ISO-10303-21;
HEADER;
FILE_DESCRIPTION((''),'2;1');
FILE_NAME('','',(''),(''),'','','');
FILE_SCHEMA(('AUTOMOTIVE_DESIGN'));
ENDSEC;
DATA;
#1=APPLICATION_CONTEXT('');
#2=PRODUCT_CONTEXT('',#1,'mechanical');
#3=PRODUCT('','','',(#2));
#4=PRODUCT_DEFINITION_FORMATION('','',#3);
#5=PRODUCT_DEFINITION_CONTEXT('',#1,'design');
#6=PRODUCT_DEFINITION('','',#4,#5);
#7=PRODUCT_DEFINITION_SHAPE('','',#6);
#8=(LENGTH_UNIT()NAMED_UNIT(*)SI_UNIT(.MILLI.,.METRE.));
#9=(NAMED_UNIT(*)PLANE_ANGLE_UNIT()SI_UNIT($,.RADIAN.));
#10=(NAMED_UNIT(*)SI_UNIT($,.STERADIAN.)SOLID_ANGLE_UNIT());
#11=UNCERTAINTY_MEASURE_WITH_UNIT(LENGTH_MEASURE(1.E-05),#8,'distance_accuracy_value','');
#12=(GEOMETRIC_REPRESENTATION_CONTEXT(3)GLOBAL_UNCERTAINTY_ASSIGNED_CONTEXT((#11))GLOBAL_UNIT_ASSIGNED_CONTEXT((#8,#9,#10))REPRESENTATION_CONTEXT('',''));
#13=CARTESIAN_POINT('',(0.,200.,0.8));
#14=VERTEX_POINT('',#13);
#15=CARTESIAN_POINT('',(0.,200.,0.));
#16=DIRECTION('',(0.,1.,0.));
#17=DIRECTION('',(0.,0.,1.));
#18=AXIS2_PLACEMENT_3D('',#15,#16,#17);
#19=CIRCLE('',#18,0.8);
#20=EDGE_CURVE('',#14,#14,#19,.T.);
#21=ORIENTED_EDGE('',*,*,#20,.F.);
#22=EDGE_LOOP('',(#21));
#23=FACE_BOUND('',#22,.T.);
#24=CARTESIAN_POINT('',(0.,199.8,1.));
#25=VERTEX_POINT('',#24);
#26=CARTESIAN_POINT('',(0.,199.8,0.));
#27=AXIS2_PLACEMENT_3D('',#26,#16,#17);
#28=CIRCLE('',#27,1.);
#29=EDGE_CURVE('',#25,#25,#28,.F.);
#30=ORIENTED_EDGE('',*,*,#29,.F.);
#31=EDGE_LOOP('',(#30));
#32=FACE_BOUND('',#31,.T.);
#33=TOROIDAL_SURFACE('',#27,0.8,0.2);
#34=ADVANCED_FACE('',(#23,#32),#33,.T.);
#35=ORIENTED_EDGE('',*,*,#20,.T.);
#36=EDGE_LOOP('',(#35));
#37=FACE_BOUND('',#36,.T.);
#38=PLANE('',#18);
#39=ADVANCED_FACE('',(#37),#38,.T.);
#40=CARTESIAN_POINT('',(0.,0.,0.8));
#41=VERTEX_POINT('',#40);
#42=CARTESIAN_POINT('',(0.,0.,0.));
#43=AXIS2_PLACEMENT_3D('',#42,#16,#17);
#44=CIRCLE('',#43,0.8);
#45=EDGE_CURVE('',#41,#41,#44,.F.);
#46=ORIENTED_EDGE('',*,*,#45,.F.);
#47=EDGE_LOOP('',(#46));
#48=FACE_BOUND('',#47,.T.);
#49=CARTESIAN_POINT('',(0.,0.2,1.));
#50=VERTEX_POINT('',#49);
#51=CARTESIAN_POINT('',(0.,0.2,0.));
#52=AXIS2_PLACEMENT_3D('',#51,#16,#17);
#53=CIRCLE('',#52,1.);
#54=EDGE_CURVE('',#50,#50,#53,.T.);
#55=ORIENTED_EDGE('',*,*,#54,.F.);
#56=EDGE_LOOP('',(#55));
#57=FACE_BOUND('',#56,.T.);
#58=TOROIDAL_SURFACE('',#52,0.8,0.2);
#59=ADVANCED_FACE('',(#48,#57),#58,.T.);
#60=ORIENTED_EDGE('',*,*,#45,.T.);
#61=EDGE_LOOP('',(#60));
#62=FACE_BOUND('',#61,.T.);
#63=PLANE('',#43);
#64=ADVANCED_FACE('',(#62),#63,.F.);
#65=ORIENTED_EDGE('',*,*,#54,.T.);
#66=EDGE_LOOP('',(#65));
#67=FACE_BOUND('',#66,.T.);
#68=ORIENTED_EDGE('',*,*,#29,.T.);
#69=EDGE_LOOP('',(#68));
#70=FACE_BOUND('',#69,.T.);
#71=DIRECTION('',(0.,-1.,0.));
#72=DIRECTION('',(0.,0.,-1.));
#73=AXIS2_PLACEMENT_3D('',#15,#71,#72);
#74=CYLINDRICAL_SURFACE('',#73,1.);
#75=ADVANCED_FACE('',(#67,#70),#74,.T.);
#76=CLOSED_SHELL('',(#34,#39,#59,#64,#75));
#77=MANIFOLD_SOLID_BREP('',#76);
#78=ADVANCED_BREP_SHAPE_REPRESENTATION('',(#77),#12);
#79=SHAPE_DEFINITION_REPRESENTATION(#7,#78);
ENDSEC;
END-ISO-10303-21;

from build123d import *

# Parameters (mm, degrees)
SKETCH1_R           = 1
BOSS_EXTRUDE1_DEPTH = 200
FILLET1_R           = 0.2


with BuildPart() as part:
    # Sketch1 → Boss-Extrude1 (new body)
    with BuildSketch(Plane(origin=(0, 0, 0), x_dir=(1, 0, 0), z_dir=(0, 1, 0))):
        Circle(SKETCH1_R)
    extrude(amount=BOSS_EXTRUDE1_DEPTH)

    # Fillet1
    fillet1_edges = [part.edges().sort_by_distance(p)[0] for p in [
        (-1, 0, 0),
        (-1, 200, 0),
    ]]
    fillet(fillet1_edges, radius=FILLET1_R)


solid = part.part
